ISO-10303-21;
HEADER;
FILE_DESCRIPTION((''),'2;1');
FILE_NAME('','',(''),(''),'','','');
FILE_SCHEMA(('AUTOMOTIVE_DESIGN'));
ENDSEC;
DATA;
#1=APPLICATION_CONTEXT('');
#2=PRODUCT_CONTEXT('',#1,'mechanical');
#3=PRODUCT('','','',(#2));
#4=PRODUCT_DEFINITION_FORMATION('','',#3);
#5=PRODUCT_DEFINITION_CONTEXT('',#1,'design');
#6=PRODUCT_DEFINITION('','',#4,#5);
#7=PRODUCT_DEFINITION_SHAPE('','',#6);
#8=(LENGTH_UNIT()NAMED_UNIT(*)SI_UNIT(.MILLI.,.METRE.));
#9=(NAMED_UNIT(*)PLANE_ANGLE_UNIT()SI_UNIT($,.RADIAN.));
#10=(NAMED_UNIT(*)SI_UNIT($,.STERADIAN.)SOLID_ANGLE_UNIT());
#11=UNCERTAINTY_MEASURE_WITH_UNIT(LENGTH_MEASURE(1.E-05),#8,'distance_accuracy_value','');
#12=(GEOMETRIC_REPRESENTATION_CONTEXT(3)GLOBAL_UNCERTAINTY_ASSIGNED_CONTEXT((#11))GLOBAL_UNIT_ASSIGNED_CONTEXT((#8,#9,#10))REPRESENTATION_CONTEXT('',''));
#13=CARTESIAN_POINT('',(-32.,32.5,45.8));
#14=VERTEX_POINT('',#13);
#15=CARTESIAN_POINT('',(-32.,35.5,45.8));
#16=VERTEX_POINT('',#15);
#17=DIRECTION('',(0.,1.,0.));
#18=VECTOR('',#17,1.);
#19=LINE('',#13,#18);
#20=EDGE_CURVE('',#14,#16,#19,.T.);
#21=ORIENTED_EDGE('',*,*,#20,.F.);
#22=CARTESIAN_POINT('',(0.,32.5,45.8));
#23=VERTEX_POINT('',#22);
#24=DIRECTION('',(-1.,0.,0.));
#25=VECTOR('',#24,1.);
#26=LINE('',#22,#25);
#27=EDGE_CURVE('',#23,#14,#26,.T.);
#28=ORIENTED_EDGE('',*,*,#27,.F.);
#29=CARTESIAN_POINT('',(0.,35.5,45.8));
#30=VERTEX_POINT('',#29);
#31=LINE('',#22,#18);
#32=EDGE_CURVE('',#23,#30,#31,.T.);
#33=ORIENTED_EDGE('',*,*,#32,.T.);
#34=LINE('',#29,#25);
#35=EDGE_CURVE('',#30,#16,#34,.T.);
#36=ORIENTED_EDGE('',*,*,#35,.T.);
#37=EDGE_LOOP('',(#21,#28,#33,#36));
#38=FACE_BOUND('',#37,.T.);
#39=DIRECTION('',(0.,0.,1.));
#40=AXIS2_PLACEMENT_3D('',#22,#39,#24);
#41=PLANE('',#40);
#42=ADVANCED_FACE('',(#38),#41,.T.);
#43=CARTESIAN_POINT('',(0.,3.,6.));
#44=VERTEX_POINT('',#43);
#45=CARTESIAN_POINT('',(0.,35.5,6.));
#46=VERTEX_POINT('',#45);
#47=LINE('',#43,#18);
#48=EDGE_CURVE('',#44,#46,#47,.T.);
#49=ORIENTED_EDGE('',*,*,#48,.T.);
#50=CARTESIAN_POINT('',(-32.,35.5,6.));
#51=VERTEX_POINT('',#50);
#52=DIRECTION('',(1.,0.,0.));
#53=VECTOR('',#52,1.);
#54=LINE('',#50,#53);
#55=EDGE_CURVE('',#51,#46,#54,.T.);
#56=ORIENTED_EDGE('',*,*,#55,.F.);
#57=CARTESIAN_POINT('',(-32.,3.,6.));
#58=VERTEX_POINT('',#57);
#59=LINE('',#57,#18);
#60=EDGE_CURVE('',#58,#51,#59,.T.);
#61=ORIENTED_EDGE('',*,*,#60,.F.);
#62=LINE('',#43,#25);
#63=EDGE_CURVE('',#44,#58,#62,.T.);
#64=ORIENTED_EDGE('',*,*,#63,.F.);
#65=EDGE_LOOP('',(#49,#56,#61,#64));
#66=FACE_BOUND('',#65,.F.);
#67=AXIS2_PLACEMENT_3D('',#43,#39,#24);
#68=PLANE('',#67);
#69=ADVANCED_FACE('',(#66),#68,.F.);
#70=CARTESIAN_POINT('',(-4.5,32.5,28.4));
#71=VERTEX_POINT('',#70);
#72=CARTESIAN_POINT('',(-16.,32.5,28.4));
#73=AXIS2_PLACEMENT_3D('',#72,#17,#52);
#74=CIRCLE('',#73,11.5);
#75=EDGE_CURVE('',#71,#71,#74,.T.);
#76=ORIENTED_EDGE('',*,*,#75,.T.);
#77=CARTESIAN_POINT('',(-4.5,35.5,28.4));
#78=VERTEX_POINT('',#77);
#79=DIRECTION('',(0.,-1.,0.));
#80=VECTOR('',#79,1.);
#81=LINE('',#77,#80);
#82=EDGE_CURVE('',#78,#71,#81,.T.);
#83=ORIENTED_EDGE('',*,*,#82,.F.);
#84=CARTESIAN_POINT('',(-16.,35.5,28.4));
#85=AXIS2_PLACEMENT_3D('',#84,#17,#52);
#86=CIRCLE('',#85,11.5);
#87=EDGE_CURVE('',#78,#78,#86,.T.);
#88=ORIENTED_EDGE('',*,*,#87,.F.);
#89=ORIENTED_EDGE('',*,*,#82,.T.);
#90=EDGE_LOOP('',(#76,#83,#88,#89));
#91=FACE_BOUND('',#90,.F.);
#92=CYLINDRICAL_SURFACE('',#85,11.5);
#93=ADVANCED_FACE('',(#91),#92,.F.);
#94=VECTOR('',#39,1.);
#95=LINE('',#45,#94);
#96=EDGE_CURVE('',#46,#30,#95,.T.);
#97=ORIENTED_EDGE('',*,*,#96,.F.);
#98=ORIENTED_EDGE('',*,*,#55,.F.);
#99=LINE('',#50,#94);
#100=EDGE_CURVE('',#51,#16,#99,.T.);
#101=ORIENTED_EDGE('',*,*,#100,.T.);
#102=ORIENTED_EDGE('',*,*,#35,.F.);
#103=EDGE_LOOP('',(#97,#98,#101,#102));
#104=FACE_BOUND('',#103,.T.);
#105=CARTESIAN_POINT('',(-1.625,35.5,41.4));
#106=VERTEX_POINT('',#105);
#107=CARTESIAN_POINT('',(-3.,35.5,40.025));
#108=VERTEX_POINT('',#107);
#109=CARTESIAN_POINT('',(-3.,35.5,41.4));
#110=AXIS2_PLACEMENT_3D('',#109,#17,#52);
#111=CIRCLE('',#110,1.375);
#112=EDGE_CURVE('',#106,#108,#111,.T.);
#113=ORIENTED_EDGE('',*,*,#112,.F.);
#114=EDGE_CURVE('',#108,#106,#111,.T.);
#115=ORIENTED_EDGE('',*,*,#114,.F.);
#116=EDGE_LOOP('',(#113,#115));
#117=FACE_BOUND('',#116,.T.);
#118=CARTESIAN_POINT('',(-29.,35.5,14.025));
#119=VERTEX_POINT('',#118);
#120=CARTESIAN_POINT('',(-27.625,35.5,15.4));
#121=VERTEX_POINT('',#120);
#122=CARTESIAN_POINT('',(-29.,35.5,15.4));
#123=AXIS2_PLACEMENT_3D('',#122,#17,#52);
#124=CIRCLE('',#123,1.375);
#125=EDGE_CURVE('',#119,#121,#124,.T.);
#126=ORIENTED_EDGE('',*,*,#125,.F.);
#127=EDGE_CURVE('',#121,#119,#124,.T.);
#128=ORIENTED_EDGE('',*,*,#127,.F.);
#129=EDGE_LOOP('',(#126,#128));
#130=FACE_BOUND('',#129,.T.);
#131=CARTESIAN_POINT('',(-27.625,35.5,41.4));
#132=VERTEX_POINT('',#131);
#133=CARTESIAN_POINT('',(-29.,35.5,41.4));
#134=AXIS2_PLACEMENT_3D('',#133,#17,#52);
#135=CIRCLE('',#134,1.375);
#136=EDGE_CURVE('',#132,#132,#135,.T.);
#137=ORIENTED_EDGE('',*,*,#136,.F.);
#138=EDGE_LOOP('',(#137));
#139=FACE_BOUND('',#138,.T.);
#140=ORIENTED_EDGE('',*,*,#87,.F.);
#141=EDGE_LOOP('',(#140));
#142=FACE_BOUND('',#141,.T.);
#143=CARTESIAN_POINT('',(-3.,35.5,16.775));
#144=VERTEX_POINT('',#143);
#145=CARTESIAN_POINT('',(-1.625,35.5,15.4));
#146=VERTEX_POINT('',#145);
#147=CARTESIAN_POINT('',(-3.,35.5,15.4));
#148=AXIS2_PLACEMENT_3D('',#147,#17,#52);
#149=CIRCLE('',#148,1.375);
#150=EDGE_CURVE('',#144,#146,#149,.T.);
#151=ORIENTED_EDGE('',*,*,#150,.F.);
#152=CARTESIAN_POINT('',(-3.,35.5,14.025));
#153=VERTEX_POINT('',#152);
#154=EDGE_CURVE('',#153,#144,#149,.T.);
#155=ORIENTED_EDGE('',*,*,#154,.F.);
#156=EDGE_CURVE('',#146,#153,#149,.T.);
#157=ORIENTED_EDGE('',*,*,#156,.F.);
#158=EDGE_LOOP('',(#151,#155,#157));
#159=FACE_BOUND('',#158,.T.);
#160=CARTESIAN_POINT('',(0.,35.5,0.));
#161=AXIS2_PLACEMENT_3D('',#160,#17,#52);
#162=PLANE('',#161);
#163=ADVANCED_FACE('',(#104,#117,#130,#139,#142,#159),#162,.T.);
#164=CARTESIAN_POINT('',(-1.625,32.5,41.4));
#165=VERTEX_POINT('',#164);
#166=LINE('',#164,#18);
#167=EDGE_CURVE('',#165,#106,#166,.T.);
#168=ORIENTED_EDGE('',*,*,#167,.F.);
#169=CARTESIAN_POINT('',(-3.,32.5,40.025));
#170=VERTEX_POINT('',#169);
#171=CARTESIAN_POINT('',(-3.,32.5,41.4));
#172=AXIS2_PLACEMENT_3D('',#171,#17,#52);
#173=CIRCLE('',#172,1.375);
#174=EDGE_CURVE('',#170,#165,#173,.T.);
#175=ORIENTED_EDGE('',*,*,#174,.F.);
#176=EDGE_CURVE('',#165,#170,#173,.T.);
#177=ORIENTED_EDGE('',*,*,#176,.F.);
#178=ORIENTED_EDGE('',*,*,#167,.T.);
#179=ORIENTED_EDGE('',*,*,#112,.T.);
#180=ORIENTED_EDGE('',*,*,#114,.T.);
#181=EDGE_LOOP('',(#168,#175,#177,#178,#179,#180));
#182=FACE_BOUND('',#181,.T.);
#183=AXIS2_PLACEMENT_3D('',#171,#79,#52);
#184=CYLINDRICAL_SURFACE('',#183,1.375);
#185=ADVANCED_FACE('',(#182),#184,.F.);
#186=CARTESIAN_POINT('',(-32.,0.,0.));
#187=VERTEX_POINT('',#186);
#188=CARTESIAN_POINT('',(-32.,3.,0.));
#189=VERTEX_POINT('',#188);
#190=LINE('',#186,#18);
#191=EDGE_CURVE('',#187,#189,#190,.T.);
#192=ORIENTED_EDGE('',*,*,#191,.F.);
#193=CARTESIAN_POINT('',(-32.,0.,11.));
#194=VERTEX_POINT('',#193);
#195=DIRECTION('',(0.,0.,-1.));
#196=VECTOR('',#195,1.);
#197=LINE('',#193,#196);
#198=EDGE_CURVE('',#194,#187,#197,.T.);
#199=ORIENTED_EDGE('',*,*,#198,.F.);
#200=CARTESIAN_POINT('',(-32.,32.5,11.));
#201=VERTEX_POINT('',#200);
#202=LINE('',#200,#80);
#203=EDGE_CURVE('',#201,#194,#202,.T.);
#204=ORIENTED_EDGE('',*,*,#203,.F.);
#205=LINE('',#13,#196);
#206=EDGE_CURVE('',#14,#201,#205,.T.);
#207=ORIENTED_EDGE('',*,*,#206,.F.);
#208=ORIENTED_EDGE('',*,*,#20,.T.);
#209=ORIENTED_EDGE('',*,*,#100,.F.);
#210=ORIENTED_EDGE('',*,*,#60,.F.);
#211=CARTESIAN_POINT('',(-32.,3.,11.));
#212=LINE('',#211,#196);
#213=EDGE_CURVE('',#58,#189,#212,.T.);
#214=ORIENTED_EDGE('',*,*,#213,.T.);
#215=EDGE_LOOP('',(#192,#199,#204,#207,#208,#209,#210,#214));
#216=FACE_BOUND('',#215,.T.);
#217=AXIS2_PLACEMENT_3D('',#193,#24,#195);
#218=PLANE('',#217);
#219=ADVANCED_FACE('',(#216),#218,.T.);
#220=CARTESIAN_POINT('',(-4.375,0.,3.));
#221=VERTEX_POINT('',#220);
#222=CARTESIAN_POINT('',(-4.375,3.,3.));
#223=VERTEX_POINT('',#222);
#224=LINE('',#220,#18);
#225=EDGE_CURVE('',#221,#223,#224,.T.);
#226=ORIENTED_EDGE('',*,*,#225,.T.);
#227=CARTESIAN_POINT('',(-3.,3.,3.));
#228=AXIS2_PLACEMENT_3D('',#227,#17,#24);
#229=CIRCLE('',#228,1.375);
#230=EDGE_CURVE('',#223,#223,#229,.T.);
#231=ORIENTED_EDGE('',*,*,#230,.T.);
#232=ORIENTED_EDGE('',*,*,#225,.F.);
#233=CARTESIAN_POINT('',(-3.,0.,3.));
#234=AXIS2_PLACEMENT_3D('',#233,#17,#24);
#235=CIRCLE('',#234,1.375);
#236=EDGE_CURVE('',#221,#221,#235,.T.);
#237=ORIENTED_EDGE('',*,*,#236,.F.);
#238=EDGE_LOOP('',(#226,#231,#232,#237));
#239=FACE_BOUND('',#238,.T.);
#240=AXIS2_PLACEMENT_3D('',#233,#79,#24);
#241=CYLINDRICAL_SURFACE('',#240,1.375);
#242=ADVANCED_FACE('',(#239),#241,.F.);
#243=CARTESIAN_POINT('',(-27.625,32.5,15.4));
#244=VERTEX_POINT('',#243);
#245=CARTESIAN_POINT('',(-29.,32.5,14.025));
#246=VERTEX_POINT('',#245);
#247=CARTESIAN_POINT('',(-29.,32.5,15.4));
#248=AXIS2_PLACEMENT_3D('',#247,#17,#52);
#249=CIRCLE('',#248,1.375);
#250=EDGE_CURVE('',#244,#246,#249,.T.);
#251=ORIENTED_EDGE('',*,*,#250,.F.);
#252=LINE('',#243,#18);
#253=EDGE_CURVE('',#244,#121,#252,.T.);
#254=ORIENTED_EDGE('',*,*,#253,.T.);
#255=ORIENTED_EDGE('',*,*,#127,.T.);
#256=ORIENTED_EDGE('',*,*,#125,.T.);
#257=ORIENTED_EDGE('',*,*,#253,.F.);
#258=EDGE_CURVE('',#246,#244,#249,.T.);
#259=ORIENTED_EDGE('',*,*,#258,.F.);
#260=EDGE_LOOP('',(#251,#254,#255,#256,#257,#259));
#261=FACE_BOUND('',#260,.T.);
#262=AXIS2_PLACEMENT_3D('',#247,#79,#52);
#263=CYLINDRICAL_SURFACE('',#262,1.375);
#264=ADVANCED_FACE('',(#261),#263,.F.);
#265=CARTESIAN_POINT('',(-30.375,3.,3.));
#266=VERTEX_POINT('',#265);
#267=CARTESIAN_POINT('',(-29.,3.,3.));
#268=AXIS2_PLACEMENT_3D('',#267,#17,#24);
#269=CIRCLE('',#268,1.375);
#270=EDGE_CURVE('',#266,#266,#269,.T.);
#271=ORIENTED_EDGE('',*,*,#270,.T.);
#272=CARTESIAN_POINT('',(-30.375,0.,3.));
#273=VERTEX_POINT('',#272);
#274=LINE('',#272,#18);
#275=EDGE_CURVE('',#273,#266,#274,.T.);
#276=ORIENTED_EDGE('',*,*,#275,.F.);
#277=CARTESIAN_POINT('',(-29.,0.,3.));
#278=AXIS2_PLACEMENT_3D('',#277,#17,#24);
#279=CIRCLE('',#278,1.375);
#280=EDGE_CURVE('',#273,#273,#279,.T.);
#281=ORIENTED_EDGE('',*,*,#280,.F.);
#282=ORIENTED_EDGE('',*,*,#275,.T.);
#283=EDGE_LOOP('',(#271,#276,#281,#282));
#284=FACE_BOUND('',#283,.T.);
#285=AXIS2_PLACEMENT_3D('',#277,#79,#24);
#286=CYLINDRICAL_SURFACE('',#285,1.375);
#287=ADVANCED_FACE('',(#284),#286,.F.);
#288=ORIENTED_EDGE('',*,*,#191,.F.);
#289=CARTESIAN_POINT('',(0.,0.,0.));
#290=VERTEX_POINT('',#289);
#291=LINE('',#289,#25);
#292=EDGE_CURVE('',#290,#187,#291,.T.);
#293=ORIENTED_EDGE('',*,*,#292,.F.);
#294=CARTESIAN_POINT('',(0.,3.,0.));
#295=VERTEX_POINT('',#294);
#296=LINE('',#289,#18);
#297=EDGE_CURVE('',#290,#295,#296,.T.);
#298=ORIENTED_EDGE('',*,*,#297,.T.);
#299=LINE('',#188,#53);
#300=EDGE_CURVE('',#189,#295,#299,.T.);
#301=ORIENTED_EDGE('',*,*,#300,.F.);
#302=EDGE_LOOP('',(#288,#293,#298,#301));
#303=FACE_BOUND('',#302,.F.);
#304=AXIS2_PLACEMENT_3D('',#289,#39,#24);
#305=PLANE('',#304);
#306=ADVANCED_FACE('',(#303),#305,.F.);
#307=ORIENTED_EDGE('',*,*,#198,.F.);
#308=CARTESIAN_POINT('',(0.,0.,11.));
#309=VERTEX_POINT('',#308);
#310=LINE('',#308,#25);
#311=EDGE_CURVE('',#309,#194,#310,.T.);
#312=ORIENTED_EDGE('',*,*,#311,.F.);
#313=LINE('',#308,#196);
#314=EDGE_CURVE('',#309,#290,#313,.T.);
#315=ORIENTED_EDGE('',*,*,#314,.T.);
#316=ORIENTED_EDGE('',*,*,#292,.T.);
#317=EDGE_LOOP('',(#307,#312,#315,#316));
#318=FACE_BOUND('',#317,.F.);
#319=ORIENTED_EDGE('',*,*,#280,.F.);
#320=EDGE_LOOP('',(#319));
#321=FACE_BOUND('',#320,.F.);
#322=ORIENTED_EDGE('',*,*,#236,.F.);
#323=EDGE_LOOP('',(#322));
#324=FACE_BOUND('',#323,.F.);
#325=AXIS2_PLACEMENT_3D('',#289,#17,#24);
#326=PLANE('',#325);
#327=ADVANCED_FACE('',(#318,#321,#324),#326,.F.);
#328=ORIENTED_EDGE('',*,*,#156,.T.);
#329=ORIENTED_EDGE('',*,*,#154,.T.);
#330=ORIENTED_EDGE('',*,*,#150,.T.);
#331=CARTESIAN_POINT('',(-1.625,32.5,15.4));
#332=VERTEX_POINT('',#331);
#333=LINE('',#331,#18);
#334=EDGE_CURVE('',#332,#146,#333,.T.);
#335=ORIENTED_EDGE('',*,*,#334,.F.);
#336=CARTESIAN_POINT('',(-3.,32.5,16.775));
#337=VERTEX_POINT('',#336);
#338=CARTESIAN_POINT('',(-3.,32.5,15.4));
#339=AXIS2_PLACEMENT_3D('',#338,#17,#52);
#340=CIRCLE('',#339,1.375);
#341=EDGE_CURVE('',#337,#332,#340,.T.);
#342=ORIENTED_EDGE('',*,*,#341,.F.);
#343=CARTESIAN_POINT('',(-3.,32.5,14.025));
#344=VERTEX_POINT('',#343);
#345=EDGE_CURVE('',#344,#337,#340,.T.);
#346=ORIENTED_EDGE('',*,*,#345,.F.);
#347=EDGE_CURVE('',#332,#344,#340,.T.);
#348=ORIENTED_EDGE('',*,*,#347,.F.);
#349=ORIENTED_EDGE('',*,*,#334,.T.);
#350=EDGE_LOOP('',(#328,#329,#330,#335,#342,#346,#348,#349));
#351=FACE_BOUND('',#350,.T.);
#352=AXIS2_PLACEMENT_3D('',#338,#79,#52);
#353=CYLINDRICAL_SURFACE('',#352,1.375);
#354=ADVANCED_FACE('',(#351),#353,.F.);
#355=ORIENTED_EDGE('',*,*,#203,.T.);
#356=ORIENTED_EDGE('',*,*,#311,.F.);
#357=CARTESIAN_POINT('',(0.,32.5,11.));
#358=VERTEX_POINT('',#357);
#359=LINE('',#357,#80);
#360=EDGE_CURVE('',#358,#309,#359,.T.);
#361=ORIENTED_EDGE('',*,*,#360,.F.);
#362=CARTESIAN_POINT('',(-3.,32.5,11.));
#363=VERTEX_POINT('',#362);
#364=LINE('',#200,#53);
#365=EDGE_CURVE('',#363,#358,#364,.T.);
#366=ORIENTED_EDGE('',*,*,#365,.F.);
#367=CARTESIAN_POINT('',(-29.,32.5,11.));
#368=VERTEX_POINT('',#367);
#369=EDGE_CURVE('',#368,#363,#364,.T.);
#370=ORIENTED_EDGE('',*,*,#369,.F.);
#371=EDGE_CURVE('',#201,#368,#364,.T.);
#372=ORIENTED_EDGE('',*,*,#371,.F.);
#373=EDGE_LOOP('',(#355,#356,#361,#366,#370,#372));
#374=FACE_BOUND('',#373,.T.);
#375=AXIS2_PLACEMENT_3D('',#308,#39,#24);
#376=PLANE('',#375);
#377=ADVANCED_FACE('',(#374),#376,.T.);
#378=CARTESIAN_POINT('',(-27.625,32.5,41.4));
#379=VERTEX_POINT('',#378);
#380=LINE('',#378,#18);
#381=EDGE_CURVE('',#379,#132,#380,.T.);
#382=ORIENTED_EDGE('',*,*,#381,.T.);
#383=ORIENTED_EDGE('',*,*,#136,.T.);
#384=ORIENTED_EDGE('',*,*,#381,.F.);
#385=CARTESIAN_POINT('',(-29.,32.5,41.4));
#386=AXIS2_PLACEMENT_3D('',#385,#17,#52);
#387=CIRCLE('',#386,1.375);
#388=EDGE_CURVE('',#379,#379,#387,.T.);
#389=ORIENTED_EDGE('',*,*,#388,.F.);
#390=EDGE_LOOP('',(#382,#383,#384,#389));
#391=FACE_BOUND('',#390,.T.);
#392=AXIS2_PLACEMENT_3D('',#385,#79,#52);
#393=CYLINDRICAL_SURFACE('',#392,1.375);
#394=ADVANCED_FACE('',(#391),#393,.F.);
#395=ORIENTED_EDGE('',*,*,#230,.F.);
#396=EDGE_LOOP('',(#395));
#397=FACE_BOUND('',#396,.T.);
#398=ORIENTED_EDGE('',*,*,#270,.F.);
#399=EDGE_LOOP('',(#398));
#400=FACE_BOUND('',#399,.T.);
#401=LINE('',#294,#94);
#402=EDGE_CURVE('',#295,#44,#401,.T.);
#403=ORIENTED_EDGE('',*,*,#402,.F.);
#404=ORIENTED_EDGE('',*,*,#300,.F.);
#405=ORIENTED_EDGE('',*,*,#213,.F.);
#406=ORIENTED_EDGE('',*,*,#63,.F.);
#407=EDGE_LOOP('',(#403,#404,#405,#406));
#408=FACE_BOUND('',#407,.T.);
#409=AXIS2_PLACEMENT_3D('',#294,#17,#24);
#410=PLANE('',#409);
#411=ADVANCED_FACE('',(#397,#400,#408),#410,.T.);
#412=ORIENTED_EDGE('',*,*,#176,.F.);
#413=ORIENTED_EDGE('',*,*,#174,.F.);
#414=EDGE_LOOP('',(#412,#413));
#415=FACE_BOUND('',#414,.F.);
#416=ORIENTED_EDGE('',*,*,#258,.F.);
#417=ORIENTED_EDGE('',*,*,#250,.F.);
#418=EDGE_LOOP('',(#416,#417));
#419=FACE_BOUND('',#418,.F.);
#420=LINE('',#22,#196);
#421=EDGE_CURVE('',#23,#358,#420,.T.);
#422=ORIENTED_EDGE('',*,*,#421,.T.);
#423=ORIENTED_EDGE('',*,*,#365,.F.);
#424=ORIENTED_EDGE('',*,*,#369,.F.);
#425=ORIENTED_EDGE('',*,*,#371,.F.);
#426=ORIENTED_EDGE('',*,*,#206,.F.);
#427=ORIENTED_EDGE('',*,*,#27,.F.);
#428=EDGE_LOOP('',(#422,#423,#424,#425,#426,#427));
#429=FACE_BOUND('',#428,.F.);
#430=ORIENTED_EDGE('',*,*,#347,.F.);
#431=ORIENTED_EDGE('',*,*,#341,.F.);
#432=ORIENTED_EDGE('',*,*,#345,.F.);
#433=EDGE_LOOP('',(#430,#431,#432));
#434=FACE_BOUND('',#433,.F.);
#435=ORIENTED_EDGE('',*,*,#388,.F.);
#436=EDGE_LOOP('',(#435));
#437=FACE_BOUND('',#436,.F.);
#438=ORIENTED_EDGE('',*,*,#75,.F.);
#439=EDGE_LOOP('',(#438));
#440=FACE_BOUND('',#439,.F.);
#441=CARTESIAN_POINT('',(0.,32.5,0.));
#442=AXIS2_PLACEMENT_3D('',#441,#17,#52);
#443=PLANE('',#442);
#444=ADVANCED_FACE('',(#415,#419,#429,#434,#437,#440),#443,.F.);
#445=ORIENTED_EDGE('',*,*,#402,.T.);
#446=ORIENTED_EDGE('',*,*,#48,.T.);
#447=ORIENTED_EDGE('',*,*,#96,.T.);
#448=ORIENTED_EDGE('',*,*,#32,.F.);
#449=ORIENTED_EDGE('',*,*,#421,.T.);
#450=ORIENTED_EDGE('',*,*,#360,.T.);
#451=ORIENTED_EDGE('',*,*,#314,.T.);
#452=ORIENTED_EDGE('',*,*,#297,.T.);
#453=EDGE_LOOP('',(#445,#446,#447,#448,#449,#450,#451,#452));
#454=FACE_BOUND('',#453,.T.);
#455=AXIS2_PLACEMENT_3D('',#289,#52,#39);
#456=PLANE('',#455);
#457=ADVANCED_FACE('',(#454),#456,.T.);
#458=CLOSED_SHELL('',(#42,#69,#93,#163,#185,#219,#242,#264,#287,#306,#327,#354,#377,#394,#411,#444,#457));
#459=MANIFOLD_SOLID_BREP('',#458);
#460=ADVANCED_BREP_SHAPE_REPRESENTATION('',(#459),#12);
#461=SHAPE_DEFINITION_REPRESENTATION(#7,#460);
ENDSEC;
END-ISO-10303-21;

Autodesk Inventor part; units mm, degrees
ref_plane "YZ Plane" through (0, 0, 0) normal (1, 0, 0) x (0, 1, 0)
ref_plane "XZ Plane" through (0, 0, 0) normal (0, 1, 0) x (-1, 0, 0)
ref_plane "XY Plane" through (0, 0, 0) normal (0, 0, 1) x (1, 0, 0)
sketch "Sketch1" plane through (0, 0, 0) normal (0, 1, 0) x (-1, 0, 0)
  line L0 (0, 0) -> (32, 0)
  line L1 (16, 0) -> (29, 0)
  circle A0 centre (29, 3) radius 1.375
  line L2 (16, 0) -> (16, 4.375)
  circle A1 centre (3, 3) radius 1.375
  line L3 (0, 0) -> (0, 6)
  line L4 (0, 6) -> (0, 11)
  line L5 (0, 11) -> (32, 11)
  line L6 (32, 11) -> (32, 0)
  dimension "d3" = 2.75
  dimension "d4" = 6
  dimension "d5" = 5
extrude "Extrusion1" add sketch "Sketch1" along normal blind 3
sketch "Sketch2" plane through (0, 3, 0) normal (0, 1, 0) x (1, 0, 0)
  line L0 (-32, -11) -> (0, -11) projected
  line L1 (0, -11) -> (0, 0) projected
  line L2 (-32, -11) -> (0, -11)
  line L3 (0, -11) -> (0, -6)
  line L4 (0, -6) -> (-32, -6)
  line L5 (-32, -6) -> (-32, -11)
  dimension "d8" = 5
extrude "Extrusion2" add sketch "Sketch2" along normal blind 29.5
sketch "Sketch3" plane through (0, 32.5, 0) normal (0, 1, 0) x (1, 0, 0)
  circle A0 centre (-3, -3) radius 1.375 projected
  line L0 (-3, -3) -> (-3, -11)
  line L1 (-32, -11) -> (0, -11) projected
  line L2 (-3, -11) -> (-3, -15.4)
  circle A1 centre (-29, -3) radius 1.375 projected
  line L3 (-29, -3) -> (-29, -11)
  line L4 (-29, -11) -> (-29, -15.4)
  circle A2 centre (-29, -15.4) radius 1.375
  circle A3 centre (-3, -15.4) radius 1.375
  line L5 (-3, -15.4) -> (-3, -41.4)
  circle A4 centre (-3, -41.4) radius 1.375
  circle A5 centre (-29, -41.4) radius 1.375
  line L6 (0, -6) -> (-32, -6) projected
  line L7 (-32, -6) -> (0, -6)
  line L8 (0, -6) -> (0, -45.8)
  line L9 (0, -45.8) -> (-32, -45.8)
  line L10 (-32, -45.8) -> (-32, -6)
  point P0 (0, 0)
  dimension "d11" = 4.4
  dimension "d12" = 2.75
  dimension "d13" = 26
  dimension "d14" = 39.8
extrude "Extrusion3" add sketch "Sketch3" along normal blind 3 contours L6 L8 L1 L0 | L0 L1 L3 L6 | L1 L8 L9 L10 | L3 L1 L10 L6
sketch "Sketch4" plane through (0, 35.5, 0) normal (0, 1, 0) x (1, 0, 0)
  circle A0 centre (-3, -15.4) radius 1.375 projected
  circle A1 centre (-29, -41.4) radius 1.375 projected
  circle A2 centre (-29, -15.4) radius 1.375 projected
  circle A3 centre (-3, -41.4) radius 1.375 projected
  circle A4 centre (-16, -28.4) radius 11.5
  point P0 (0, 0)
  dimension "d17" = 23
extrude "Extrusion4" cut sketch "Sketch4" against normal blind 3 contours A4
properties part number "Motor_Mount"
